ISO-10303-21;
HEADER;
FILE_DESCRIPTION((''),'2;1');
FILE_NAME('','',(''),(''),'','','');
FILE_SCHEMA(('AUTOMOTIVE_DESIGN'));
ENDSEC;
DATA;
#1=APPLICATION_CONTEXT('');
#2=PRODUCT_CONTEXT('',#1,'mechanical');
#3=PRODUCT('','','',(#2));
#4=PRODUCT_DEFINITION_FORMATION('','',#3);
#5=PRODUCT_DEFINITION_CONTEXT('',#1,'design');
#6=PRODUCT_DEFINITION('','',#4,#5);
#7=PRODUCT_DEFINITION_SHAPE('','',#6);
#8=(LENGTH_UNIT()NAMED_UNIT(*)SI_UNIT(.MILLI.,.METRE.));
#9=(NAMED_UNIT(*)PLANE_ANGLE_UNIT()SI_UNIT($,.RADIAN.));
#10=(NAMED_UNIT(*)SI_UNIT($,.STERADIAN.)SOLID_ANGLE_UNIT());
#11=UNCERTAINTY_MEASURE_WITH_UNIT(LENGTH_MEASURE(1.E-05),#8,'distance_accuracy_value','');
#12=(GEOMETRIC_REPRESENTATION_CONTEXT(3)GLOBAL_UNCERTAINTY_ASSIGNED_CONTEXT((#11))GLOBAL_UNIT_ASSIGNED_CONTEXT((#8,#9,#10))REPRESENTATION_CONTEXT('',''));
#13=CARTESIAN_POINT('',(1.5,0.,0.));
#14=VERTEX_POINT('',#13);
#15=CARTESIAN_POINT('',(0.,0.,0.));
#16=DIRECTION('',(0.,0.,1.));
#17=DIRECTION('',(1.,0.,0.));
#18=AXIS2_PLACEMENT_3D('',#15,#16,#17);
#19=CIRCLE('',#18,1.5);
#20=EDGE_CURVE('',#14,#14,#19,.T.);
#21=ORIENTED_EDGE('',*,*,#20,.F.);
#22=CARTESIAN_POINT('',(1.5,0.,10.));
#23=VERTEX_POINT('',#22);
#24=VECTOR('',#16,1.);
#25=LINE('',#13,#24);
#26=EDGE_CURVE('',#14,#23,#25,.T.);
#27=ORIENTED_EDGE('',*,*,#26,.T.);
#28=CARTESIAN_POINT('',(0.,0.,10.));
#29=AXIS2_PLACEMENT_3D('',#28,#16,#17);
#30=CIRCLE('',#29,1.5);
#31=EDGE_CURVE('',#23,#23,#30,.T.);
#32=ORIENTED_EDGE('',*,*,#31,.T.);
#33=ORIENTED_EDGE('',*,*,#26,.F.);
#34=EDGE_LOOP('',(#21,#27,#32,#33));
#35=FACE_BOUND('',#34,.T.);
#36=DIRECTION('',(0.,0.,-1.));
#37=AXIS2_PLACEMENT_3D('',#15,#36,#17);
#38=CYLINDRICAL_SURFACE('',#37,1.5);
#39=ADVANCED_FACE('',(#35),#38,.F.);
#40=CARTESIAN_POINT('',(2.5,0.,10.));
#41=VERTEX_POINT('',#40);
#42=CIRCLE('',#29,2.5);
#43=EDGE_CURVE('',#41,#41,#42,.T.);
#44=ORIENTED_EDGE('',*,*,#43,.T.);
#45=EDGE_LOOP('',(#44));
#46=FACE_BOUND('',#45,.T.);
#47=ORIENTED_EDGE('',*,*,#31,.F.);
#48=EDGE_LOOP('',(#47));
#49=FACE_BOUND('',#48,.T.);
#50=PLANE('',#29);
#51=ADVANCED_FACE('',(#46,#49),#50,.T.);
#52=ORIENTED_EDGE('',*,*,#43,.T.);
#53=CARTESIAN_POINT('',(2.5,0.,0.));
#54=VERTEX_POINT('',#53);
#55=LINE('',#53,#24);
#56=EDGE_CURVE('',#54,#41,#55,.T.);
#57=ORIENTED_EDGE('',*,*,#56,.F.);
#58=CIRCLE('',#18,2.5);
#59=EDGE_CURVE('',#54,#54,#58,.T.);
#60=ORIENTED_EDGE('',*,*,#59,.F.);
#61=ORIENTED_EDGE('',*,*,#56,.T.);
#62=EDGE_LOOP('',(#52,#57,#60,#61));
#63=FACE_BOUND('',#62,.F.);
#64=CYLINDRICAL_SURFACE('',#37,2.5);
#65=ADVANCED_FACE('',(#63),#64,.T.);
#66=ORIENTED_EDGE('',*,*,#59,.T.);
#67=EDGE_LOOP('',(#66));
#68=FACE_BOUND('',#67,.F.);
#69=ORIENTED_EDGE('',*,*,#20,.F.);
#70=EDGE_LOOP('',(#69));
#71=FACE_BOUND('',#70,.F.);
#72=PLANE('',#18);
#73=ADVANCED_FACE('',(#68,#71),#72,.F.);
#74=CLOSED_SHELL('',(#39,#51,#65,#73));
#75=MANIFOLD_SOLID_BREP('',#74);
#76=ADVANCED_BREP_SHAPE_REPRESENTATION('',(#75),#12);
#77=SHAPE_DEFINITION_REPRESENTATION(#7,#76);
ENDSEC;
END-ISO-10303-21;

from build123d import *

# Parameters (mm, degrees)
SKETCH_R   = 2.5
SKETCH_R_2 = 1.5
PAD_DEPTH  = 10


with BuildPart() as part:
    # Sketch → Pad (new body)
    with BuildSketch(Plane.XY):
        Circle(SKETCH_R)
        Circle(SKETCH_R_2, mode=Mode.SUBTRACT)
    extrude(amount=PAD_DEPTH)


solid = part.part
